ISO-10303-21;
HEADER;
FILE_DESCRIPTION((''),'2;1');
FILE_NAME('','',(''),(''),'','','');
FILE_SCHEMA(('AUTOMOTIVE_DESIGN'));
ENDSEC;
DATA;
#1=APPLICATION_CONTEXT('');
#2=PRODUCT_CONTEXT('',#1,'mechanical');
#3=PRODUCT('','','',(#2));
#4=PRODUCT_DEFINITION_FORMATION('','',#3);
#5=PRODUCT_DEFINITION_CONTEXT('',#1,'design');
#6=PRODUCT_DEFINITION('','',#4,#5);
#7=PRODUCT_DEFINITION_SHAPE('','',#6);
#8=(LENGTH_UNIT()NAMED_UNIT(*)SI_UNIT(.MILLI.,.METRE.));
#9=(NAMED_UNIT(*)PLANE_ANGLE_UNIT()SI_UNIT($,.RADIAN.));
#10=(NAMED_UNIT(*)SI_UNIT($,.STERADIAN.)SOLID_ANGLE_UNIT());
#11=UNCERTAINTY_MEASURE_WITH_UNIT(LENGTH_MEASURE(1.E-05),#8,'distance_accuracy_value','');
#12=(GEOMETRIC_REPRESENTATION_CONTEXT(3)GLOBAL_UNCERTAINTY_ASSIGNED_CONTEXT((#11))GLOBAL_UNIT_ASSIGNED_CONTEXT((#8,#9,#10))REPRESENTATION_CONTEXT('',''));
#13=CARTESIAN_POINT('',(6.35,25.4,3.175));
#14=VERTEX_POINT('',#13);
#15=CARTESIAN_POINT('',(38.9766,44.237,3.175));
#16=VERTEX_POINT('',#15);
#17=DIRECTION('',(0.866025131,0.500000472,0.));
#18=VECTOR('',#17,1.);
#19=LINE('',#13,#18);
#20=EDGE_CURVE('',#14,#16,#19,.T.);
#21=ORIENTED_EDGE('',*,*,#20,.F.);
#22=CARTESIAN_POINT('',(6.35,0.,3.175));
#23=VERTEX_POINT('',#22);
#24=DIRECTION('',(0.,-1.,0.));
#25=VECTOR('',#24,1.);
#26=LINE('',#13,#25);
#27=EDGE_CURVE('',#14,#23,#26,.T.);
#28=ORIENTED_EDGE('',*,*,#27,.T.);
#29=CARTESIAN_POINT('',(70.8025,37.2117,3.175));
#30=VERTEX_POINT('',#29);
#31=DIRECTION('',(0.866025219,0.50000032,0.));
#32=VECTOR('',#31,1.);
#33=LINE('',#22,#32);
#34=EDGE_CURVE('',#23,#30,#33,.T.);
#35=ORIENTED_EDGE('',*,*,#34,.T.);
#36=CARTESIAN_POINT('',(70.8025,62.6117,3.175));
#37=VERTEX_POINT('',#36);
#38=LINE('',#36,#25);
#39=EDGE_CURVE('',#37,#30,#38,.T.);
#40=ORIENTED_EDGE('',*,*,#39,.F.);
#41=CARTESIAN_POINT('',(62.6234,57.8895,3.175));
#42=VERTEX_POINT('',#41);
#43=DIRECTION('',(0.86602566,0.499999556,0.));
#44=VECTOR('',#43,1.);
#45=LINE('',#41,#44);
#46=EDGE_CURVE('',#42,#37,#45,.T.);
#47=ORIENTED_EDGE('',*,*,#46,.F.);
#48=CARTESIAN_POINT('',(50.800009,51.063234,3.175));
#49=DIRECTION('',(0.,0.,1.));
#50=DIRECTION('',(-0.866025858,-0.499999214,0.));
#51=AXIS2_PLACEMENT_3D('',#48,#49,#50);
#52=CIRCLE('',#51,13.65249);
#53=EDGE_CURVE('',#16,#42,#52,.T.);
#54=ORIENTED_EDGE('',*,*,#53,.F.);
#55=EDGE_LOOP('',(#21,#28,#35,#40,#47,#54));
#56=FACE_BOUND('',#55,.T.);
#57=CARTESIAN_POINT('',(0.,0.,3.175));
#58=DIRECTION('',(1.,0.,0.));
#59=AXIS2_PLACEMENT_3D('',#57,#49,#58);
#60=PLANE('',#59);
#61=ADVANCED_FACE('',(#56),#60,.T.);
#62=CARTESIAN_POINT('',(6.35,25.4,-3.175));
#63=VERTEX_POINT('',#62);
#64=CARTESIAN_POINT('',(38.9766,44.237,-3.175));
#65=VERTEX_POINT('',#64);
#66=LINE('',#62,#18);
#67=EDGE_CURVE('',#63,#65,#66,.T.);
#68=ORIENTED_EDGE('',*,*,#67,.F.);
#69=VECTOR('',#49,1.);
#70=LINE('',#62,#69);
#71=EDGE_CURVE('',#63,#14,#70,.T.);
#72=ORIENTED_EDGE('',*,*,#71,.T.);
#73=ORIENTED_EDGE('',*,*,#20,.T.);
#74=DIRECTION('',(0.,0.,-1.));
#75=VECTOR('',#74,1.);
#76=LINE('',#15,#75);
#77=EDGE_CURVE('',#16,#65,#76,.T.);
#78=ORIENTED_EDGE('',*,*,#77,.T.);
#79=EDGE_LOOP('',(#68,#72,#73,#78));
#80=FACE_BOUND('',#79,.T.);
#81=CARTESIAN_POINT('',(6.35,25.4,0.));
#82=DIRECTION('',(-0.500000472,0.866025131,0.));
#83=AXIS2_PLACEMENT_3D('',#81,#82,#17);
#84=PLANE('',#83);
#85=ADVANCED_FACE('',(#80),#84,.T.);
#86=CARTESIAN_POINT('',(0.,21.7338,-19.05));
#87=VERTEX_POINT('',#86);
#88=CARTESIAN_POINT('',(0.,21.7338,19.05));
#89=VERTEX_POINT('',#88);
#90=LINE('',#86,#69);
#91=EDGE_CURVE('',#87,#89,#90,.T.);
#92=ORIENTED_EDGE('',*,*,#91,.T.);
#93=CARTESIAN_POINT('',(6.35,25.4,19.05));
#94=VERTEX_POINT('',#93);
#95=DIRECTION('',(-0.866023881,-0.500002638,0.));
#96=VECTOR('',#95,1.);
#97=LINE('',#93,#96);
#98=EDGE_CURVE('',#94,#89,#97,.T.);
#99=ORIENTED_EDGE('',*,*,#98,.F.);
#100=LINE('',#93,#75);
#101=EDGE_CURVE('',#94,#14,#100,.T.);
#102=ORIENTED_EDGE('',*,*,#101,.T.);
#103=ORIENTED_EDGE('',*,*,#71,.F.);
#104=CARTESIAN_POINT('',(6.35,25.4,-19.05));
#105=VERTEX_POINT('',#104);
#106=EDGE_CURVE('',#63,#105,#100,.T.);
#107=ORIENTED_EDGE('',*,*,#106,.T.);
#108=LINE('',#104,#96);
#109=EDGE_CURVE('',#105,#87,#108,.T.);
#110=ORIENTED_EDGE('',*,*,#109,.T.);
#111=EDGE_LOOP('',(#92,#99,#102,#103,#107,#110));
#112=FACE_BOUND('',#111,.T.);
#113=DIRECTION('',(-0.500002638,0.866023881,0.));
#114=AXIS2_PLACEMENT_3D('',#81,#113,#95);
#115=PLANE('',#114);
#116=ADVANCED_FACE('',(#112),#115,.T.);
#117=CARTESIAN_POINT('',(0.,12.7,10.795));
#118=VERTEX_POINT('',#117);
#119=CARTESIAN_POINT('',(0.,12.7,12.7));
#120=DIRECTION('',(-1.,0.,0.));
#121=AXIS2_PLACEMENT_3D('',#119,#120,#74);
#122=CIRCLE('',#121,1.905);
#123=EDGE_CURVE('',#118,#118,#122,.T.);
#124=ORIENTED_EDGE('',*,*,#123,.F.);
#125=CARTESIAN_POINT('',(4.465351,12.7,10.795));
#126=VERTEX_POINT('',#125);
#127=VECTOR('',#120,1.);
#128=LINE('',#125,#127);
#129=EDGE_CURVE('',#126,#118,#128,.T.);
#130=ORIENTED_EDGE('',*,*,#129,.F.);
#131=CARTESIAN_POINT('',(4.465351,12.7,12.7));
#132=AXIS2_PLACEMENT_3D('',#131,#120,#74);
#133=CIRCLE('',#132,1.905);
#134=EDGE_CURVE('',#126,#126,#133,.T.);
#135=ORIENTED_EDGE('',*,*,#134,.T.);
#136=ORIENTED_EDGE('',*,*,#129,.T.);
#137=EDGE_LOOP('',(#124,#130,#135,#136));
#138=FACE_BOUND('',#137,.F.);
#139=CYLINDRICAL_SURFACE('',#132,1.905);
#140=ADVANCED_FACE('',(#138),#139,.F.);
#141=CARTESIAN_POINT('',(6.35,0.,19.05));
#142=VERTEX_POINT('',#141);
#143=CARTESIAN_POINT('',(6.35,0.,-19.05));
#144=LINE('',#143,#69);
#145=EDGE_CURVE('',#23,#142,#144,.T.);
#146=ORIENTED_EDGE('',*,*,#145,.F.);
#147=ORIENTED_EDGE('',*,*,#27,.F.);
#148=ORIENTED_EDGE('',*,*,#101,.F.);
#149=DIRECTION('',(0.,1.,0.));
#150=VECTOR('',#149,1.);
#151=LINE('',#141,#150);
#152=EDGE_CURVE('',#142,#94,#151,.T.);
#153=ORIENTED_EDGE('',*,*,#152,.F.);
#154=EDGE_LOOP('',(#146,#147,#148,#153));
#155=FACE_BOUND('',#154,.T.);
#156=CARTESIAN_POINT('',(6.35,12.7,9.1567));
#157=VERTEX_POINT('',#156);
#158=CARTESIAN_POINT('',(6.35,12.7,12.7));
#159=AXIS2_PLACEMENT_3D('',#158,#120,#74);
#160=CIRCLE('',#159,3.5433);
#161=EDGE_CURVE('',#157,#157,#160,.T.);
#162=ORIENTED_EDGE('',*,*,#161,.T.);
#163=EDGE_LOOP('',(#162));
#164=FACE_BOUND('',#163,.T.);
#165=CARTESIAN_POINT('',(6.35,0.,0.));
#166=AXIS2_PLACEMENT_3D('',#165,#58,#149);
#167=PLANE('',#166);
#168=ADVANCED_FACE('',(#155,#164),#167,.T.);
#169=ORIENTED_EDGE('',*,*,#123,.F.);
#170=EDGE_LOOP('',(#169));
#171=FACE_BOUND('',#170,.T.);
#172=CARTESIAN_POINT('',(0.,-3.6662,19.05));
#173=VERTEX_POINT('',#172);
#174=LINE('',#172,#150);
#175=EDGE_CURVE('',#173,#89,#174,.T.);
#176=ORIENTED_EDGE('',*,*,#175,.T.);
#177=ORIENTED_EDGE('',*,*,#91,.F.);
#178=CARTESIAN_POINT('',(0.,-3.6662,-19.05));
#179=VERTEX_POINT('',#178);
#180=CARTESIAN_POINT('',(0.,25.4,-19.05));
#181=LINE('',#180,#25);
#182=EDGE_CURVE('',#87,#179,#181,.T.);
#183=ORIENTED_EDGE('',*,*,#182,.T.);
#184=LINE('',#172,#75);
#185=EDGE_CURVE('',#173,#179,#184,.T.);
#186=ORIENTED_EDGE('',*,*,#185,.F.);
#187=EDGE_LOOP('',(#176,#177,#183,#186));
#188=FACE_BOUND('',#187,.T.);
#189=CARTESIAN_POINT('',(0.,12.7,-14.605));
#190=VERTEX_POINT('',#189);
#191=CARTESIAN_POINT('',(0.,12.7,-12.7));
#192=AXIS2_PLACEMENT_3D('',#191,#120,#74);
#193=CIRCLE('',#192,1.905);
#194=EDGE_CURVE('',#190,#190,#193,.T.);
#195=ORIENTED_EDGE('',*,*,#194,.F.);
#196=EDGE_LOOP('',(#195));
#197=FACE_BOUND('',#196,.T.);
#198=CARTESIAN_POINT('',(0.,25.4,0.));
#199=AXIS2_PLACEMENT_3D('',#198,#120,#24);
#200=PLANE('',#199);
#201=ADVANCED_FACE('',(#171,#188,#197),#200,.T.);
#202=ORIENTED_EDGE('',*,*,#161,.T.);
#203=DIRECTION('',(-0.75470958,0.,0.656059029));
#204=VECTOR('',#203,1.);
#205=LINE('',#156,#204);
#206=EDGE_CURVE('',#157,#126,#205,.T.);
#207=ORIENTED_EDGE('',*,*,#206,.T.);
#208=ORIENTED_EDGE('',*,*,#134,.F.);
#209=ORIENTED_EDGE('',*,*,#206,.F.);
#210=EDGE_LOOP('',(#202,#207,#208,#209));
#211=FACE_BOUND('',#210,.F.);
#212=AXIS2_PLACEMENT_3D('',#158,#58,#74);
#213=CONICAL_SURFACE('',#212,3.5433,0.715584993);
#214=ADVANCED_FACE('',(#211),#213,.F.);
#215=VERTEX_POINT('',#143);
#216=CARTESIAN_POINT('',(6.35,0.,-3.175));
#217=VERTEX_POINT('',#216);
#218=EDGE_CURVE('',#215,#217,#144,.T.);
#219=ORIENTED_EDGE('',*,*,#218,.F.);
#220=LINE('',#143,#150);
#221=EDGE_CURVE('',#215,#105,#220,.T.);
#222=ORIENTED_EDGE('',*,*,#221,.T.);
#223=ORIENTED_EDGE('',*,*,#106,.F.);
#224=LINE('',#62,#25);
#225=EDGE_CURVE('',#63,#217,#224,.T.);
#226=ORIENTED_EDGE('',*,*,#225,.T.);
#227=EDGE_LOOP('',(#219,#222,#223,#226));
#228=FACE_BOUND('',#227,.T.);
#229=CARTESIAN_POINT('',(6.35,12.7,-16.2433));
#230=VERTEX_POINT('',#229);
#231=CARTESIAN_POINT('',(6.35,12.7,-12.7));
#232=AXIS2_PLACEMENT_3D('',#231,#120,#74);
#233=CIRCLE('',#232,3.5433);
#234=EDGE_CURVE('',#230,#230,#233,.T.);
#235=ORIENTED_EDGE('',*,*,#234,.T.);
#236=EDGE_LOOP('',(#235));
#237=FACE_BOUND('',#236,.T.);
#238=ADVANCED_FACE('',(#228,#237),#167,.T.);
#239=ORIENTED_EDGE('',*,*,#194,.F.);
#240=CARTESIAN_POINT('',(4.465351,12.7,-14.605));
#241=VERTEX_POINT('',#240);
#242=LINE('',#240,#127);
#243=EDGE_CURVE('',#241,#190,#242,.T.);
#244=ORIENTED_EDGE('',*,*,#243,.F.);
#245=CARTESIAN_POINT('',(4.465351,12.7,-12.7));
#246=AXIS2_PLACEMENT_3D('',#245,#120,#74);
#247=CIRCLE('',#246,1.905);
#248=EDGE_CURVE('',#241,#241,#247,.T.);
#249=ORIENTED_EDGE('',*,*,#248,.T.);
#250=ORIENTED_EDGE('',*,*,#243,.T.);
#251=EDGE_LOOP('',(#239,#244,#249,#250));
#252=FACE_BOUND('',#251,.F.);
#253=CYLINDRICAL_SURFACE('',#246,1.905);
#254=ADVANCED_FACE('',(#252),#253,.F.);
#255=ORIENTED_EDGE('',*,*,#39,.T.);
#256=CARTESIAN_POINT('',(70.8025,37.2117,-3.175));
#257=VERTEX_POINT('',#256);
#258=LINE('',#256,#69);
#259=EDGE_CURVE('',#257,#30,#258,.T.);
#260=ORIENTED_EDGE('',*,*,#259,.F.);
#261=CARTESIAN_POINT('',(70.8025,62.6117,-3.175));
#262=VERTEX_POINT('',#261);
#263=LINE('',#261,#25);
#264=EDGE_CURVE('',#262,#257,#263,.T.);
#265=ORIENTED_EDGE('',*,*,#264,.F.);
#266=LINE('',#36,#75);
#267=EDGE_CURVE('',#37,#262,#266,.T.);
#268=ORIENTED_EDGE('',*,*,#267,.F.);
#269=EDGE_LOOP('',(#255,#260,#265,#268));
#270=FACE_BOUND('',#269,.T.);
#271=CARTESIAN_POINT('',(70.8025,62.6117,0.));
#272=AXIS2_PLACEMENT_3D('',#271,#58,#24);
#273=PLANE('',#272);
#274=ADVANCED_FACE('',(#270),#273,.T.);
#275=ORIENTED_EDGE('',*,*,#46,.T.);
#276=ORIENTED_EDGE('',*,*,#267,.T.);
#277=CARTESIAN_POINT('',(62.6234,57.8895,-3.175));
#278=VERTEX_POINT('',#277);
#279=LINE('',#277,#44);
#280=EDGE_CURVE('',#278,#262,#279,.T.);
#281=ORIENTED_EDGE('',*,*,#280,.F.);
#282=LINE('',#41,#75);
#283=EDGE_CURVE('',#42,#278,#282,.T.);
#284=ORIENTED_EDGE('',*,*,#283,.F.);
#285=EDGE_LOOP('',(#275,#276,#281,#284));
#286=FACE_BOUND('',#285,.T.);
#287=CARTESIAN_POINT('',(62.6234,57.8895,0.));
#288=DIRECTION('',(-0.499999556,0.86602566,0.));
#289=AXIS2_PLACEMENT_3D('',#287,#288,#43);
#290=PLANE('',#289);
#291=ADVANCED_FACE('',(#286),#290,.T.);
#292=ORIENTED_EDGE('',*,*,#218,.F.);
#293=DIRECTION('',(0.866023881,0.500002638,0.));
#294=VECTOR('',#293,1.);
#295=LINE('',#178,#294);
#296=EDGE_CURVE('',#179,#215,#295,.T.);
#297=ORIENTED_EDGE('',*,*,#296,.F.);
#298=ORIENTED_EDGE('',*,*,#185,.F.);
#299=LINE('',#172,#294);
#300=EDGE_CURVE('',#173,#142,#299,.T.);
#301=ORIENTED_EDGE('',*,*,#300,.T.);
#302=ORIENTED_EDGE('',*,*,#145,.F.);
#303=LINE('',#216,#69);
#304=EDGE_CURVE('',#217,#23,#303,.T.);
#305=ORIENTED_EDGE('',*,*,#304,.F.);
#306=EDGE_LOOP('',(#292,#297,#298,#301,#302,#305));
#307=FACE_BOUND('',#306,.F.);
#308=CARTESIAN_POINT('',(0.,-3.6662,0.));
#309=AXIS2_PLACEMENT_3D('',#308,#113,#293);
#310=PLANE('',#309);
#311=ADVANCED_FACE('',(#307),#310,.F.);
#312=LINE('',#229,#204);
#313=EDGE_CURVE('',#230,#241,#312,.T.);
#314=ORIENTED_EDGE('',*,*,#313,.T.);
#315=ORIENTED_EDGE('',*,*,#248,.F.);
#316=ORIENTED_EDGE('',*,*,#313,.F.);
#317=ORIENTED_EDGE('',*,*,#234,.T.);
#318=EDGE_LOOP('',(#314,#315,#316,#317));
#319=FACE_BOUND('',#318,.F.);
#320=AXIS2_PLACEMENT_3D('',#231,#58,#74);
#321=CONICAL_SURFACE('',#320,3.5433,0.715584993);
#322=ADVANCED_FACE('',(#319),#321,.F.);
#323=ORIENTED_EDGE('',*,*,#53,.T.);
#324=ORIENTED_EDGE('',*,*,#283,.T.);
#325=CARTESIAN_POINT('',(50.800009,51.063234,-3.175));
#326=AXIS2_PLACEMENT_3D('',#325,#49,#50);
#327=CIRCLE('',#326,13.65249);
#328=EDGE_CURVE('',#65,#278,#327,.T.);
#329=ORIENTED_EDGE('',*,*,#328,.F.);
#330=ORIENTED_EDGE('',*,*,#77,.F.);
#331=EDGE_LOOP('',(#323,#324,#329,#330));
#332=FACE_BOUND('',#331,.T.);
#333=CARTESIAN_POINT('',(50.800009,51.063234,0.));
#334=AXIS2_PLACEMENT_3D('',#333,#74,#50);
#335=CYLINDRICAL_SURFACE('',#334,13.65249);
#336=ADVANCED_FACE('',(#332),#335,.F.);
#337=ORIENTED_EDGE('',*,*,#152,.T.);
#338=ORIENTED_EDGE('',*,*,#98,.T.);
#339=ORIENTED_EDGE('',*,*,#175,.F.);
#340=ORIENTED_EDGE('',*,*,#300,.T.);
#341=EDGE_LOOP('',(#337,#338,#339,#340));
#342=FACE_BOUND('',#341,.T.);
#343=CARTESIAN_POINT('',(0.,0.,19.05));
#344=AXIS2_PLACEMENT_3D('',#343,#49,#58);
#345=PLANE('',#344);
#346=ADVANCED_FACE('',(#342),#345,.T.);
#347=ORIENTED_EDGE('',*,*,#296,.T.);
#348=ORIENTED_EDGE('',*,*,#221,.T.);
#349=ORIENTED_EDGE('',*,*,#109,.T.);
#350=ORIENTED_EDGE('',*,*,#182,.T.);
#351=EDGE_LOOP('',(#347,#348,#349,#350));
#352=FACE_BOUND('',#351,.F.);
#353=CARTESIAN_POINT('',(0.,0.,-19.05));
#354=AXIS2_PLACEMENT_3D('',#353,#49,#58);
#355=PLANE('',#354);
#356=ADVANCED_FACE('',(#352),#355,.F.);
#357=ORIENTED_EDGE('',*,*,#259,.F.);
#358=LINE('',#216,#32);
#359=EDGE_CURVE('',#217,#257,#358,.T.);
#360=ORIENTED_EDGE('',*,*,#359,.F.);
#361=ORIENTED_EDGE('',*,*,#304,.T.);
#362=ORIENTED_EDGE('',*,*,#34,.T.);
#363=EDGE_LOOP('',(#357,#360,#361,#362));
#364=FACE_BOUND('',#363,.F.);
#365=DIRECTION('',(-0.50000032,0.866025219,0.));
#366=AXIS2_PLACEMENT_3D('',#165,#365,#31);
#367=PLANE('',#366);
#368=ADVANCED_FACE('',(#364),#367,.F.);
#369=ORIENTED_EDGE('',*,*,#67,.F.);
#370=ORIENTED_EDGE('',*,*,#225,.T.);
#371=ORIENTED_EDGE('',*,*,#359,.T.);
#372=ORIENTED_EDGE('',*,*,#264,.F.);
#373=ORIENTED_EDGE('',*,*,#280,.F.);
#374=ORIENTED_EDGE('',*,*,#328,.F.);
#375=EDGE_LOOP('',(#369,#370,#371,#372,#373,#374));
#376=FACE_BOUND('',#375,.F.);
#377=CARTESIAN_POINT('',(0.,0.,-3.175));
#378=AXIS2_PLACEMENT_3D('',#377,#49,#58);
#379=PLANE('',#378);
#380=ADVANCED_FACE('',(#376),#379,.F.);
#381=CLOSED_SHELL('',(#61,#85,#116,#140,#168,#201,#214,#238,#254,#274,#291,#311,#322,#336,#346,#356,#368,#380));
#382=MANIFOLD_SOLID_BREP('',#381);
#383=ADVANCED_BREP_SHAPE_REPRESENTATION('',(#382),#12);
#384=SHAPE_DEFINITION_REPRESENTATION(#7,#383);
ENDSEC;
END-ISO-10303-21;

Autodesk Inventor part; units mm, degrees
ref_plane "YZ Plane" through (0, 0, 0) normal (1, 0, 0) x (0, 1, 0)
ref_plane "XZ Plane" through (0, 0, 0) normal (0, 1, 0) x (-1, 0, 0)
ref_plane "XY Plane" through (0, 0, 0) normal (0, 0, 1) x (1, 0, 0)
sketch "Sketch5" plane through (0, 0, 0) normal (0, 0, 1) x (1, 0, 0)
  line L0 (0, 0) -> (6.35, 0)
  line L1 (6.35, 0) -> (6.35, 25.4)
  line L2 (6.35, 25.4) -> (0, 25.4)
  line L3 (0, 25.4) -> (0, 0)
  dimension "d21" = 25.4
  dimension "d22" = 6.35
extrude "Extrusion3" add sketch "Sketch5" against normal mid plane 38.1
sketch "Sketch6" plane through (0, 0, 0) normal (0, 0, 1) x (1, 0, 0)
  line L0 (6.35, 25.4) -> (6.35, 0) projected
  line L1 (0, 25.4) -> (6.35, 25.4) projected
  line L2 (6.35, 0) -> (0, 0) projected
  line L3 (0, 0) -> (0, 25.4) projected
  line L4 (6.35, 0) -> (70.8025, 37.2117)
  line L5 (6.35, 0) -> (80.7733, 0) construction
  line L6 (70.8025, 62.6117) -> (70.8025, 37.2117)
  arc A0 (38.9766, 44.237) -> (62.6234, 57.8895) centre (50.8, 51.0632) ccw
  line L7 (6.35, 25.4) -> (38.9766, 44.237)
  line L8 (62.6234, 57.8895) -> (70.8025, 62.6117)
  dimension "d25" = 30
  dimension "d26" = 27.305
  dimension "d29" = 6.35
  dimension "d30" = 50.8
  dimension "d33" = 0
extrude "Extrusion4" add sketch "Sketch6" along normal mid plane 6.35 contours L7 A0 L8 L6 L4 L0
sketch "Sketch7" plane through (6.35, 0, 19.05) normal (1, 0, 0) x (0, 0, -1)
  line L0 (38.1, 25.4) -> (0, 25.4) construction
  line L1 (6.35, 25.4) -> (6.35, 0) construction
  line L2 (31.75, 25.4) -> (31.75, 0) construction
  line L3 (0, 0) -> (0, 25.4) construction
  line L4 (38.1, 25.4) -> (38.1, 0) construction
  line L5 (0, 0) -> (15.875, 0) projected
  line L6 (22.225, 0) -> (38.1, 0) projected
  point P0 (19.05, 0)
  point P1 (6.35, 12.7)
  point P2 (31.75, 12.7)
  dimension "d34" = 6.35
  dimension "d35" = 6.35
sketch "Sketch8" plane through (0, 0, 0) normal (0, 0, 1) x (1, 0, 0)
  line L0 (0, 0) -> (0, 25.4) projected
  line L1 (6.35, 0) -> (0, 0) projected
  line L2 (70.8025, 37.2117) -> (6.35, 0) projected
  line L3 (0, 0) -> (6.35, 0)
  line L4 (0, -3.6662) -> (6.35, 0)
  line L5 (0, 0) -> (0, -3.6662)
extrude "Extrusion5" add sketch "Sketch8" along normal mid plane 38.1
hole "Hole3" at (6.35, 12.7, 12.7) at (6.35, 12.7, -12.7) direction (-1, 0, 0) diameter 3.81 end through all countersink diameter 7.0866 countersink angle 82 clearance for "Flat Head Machine Screw (82)" size "#6" standard "Ansi Unified Screw Threads"
sketch "Sketch9" plane through (0, 0, 0) normal (0, 0, 1) x (1, 0, 0)
  line L0 (0, -3.6662) -> (0, 25.4) projected
  line L1 (0, 25.4) -> (6.35, 25.4) projected
  line L2 (6.35, 25.4) -> (6.35, 0) projected
  line L3 (6.35, 25.4) -> (38.9766, 44.237) projected
  line L4 (6.35, 25.4) -> (0, 25.4)
  line L5 (6.35, 25.4) -> (0, 21.7338)
  line L6 (0, 25.4) -> (0, 21.7338)
  point P0 (0, 0)
extrude "Extrusion6" cut sketch "Sketch9" against normal mid plane 38.1
equation "\"d21\" = supportHeight"
equation "\"d22\" = supportWidth"
equation "\"d23\" = totalScrewHoldWidth"
equation "\"d25\" = supportAngle"
equation "\"d26\" = pipeDiameter"
equation "\"d30\" = distanceFromWallToPipeCenter"
equation "\"d31\" = supportWidth"
equation "\"d47\" = totalScrewHoldWidth"
equation "\"d63\" = totalScrewHoldWidth"
equation "\"pipeDiameter\" = 27.305"
equation "\"distanceFromWallToPipeCenter\" = 50.8"
equation "\"supportHeight\" = 25.4"
equation "\"supportWidth\" = 6.35"
equation "\"screwHoldDepth\" = 6.35"
equation "\"totalScrewHoldWidth\" = 38.1"
equation "\"screwPositionFromTop\" = 6.35"
equation "\"supportAngle\" = 30deg"
properties part number "PipeSupport-2_00-030"
